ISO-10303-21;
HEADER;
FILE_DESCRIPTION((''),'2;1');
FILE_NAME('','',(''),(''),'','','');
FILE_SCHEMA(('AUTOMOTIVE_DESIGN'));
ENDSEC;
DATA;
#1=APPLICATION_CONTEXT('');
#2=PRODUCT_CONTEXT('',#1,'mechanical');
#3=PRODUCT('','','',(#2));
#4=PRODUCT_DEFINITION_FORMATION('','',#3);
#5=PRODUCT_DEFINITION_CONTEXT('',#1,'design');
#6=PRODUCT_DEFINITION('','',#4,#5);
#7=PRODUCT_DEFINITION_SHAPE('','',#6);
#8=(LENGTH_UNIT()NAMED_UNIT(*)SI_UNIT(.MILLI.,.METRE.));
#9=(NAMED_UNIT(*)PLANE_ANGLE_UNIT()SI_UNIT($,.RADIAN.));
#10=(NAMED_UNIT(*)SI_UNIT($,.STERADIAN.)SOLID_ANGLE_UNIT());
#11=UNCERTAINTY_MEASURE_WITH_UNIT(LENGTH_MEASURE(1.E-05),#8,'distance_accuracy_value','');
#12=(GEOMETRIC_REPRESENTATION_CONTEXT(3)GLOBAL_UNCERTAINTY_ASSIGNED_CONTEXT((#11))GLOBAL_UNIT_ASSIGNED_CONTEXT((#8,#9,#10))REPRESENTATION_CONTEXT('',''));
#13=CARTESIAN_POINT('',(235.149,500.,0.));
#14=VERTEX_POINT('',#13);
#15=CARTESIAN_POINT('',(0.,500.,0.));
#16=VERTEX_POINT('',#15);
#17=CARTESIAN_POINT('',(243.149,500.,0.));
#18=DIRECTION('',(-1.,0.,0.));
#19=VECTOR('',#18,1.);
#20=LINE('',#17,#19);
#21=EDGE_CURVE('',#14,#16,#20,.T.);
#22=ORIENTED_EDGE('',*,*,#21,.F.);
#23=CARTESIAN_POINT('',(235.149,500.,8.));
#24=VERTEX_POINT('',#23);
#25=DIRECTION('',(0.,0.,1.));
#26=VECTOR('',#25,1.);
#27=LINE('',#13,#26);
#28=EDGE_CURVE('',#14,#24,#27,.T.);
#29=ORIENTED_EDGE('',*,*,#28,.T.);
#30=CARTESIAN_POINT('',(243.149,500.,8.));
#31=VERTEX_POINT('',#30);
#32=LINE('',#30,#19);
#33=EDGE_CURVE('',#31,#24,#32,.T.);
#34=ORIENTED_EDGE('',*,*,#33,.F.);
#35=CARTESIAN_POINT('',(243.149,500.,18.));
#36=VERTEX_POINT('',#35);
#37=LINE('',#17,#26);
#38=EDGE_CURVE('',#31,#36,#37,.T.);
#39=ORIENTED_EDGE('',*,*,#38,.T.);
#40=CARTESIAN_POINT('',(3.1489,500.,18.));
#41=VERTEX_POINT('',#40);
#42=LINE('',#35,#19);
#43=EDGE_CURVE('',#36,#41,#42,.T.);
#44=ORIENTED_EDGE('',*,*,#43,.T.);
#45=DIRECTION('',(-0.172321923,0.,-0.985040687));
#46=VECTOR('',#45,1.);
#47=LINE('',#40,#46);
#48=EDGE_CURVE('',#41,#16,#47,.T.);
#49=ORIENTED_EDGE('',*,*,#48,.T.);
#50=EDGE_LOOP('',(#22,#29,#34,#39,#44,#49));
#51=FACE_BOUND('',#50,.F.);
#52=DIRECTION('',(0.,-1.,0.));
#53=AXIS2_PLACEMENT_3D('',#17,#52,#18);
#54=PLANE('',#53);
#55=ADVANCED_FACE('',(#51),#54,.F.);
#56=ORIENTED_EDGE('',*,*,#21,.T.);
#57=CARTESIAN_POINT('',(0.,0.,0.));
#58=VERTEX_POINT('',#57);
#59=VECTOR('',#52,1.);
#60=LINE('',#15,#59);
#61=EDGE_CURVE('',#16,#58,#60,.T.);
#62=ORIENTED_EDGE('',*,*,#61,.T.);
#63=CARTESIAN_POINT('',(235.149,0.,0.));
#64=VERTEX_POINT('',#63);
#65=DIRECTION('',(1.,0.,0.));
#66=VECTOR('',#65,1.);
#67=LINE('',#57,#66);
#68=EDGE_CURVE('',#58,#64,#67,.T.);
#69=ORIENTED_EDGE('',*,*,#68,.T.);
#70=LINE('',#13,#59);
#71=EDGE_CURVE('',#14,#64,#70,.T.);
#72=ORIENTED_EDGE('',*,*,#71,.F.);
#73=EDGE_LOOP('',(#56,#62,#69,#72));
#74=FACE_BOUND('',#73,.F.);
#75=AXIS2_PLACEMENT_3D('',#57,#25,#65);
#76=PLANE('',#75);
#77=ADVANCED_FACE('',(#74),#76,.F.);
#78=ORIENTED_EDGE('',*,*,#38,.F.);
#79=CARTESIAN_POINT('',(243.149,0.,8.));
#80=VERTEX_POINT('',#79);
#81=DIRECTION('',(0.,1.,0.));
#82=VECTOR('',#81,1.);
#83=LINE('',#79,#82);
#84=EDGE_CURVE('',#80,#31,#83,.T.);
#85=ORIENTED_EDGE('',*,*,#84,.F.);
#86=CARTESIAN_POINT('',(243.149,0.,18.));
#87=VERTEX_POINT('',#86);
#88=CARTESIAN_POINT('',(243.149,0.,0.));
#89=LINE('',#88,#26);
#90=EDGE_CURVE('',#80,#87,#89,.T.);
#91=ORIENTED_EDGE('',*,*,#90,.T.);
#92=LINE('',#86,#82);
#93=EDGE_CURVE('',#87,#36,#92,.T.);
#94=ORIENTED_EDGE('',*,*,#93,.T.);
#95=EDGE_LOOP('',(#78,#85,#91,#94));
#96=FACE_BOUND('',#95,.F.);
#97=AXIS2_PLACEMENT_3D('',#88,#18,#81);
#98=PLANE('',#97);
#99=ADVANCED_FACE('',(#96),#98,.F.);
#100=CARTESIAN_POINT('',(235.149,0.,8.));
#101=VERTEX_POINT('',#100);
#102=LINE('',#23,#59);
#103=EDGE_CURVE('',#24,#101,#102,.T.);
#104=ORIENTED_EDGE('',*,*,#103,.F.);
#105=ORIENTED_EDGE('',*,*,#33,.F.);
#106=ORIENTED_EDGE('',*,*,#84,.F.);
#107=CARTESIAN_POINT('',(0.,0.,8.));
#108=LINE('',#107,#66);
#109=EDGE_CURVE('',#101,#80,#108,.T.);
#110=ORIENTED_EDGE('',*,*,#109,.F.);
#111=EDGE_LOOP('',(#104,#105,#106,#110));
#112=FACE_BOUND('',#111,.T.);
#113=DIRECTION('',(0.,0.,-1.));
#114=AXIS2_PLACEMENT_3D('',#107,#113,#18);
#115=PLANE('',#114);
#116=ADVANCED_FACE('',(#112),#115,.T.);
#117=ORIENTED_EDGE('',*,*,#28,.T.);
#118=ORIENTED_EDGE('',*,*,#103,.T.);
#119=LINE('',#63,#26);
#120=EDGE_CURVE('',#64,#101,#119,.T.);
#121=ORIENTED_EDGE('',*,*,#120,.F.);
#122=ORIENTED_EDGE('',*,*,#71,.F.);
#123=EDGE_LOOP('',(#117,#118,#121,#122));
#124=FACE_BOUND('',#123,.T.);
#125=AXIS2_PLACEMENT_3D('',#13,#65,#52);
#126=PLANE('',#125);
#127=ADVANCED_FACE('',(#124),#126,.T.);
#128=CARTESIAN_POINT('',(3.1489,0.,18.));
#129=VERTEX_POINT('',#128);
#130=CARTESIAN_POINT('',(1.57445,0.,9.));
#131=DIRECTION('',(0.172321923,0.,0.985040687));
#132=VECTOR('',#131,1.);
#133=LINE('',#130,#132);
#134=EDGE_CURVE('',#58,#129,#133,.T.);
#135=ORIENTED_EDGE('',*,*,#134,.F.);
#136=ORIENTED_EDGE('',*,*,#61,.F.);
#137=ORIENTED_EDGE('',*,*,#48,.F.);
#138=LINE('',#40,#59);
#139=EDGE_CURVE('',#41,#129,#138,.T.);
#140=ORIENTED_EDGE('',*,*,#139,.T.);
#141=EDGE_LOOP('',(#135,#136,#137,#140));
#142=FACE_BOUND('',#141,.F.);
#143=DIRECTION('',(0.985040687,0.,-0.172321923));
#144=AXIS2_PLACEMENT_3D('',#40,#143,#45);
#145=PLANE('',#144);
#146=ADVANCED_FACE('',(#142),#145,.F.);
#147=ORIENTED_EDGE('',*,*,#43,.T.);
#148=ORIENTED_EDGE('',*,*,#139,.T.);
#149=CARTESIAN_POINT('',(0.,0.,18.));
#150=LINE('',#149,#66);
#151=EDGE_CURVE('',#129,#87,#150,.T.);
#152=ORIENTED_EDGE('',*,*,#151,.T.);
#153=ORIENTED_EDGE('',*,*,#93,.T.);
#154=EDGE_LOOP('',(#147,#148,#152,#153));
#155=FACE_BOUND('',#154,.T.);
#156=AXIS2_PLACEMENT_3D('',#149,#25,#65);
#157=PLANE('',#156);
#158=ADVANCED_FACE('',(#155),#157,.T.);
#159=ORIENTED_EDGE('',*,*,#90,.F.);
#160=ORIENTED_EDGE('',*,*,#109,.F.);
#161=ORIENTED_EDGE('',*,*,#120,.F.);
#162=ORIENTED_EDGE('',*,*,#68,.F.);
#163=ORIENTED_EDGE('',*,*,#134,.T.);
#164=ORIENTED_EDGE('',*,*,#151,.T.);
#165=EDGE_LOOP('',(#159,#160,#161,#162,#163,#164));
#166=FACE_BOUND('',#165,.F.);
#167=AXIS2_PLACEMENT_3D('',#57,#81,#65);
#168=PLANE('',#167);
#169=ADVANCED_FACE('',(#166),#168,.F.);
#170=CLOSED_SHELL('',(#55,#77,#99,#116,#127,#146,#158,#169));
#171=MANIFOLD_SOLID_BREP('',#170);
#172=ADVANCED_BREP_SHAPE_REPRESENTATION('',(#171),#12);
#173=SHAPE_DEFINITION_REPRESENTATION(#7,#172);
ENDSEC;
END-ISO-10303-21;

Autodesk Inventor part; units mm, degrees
ref_plane "YZ Plane" through (0, 0, 0) normal (1, 0, 0) x (0, 1, 0)
ref_plane "XZ Plane" through (0, 0, 0) normal (0, 1, 0) x (-1, 0, 0)
ref_plane "XY Plane" through (0, 0, 0) normal (0, 0, 1) x (1, 0, 0)
sketch "Sketch1" plane through (0, 0, 0) normal (0, 0, 1) x (1, 0, 0)
  line L0 (0, 0) -> (243.149, 0)
  line L1 (243.149, 0) -> (243.149, 500)
  line L2 (243.149, 500) -> (0, 500)
  line L3 (0, 500) -> (0, 0)
  dimension "d0" = 243.149
  dimension "d1" = 500
extrude "Extrusion1" add sketch "Sketch1" along normal blind 18
sketch "Sketch2" plane through (0, 0, 0) normal (0, 0, -1) x (-1, 0, 0)
  line L0 (0, 0) -> (-243.149, 0) projected
  line L1 (-243.149, 500) -> (-235.149, 500)
  line L2 (-235.149, 500) -> (-235.149, 0)
  line L3 (-235.149, 0) -> (-243.149, 0)
  line L4 (-243.149, 0) -> (-243.149, 500)
  dimension "d4" = 8
extrude "Extrusion2" cut sketch "Sketch2" against normal blind 8
sketch "Sketch4" plane through (0, 500, 18) normal (0, 1, 0) x (1, 0, 0)
  line L0 (0, 18) -> (0, 0) projected
  line L1 (243.149, 0) -> (0, 0) projected
  line L2 (0, 0) -> (3.1489, 0)
  line L3 (0, 18) -> (0, 0)
  line L4 (3.1489, 0) -> (0, 18)
  dimension "d11" = 9.923
extrude "Extrusion4" cut sketch "Sketch4" against normal up to next
properties part number "regalboden"
